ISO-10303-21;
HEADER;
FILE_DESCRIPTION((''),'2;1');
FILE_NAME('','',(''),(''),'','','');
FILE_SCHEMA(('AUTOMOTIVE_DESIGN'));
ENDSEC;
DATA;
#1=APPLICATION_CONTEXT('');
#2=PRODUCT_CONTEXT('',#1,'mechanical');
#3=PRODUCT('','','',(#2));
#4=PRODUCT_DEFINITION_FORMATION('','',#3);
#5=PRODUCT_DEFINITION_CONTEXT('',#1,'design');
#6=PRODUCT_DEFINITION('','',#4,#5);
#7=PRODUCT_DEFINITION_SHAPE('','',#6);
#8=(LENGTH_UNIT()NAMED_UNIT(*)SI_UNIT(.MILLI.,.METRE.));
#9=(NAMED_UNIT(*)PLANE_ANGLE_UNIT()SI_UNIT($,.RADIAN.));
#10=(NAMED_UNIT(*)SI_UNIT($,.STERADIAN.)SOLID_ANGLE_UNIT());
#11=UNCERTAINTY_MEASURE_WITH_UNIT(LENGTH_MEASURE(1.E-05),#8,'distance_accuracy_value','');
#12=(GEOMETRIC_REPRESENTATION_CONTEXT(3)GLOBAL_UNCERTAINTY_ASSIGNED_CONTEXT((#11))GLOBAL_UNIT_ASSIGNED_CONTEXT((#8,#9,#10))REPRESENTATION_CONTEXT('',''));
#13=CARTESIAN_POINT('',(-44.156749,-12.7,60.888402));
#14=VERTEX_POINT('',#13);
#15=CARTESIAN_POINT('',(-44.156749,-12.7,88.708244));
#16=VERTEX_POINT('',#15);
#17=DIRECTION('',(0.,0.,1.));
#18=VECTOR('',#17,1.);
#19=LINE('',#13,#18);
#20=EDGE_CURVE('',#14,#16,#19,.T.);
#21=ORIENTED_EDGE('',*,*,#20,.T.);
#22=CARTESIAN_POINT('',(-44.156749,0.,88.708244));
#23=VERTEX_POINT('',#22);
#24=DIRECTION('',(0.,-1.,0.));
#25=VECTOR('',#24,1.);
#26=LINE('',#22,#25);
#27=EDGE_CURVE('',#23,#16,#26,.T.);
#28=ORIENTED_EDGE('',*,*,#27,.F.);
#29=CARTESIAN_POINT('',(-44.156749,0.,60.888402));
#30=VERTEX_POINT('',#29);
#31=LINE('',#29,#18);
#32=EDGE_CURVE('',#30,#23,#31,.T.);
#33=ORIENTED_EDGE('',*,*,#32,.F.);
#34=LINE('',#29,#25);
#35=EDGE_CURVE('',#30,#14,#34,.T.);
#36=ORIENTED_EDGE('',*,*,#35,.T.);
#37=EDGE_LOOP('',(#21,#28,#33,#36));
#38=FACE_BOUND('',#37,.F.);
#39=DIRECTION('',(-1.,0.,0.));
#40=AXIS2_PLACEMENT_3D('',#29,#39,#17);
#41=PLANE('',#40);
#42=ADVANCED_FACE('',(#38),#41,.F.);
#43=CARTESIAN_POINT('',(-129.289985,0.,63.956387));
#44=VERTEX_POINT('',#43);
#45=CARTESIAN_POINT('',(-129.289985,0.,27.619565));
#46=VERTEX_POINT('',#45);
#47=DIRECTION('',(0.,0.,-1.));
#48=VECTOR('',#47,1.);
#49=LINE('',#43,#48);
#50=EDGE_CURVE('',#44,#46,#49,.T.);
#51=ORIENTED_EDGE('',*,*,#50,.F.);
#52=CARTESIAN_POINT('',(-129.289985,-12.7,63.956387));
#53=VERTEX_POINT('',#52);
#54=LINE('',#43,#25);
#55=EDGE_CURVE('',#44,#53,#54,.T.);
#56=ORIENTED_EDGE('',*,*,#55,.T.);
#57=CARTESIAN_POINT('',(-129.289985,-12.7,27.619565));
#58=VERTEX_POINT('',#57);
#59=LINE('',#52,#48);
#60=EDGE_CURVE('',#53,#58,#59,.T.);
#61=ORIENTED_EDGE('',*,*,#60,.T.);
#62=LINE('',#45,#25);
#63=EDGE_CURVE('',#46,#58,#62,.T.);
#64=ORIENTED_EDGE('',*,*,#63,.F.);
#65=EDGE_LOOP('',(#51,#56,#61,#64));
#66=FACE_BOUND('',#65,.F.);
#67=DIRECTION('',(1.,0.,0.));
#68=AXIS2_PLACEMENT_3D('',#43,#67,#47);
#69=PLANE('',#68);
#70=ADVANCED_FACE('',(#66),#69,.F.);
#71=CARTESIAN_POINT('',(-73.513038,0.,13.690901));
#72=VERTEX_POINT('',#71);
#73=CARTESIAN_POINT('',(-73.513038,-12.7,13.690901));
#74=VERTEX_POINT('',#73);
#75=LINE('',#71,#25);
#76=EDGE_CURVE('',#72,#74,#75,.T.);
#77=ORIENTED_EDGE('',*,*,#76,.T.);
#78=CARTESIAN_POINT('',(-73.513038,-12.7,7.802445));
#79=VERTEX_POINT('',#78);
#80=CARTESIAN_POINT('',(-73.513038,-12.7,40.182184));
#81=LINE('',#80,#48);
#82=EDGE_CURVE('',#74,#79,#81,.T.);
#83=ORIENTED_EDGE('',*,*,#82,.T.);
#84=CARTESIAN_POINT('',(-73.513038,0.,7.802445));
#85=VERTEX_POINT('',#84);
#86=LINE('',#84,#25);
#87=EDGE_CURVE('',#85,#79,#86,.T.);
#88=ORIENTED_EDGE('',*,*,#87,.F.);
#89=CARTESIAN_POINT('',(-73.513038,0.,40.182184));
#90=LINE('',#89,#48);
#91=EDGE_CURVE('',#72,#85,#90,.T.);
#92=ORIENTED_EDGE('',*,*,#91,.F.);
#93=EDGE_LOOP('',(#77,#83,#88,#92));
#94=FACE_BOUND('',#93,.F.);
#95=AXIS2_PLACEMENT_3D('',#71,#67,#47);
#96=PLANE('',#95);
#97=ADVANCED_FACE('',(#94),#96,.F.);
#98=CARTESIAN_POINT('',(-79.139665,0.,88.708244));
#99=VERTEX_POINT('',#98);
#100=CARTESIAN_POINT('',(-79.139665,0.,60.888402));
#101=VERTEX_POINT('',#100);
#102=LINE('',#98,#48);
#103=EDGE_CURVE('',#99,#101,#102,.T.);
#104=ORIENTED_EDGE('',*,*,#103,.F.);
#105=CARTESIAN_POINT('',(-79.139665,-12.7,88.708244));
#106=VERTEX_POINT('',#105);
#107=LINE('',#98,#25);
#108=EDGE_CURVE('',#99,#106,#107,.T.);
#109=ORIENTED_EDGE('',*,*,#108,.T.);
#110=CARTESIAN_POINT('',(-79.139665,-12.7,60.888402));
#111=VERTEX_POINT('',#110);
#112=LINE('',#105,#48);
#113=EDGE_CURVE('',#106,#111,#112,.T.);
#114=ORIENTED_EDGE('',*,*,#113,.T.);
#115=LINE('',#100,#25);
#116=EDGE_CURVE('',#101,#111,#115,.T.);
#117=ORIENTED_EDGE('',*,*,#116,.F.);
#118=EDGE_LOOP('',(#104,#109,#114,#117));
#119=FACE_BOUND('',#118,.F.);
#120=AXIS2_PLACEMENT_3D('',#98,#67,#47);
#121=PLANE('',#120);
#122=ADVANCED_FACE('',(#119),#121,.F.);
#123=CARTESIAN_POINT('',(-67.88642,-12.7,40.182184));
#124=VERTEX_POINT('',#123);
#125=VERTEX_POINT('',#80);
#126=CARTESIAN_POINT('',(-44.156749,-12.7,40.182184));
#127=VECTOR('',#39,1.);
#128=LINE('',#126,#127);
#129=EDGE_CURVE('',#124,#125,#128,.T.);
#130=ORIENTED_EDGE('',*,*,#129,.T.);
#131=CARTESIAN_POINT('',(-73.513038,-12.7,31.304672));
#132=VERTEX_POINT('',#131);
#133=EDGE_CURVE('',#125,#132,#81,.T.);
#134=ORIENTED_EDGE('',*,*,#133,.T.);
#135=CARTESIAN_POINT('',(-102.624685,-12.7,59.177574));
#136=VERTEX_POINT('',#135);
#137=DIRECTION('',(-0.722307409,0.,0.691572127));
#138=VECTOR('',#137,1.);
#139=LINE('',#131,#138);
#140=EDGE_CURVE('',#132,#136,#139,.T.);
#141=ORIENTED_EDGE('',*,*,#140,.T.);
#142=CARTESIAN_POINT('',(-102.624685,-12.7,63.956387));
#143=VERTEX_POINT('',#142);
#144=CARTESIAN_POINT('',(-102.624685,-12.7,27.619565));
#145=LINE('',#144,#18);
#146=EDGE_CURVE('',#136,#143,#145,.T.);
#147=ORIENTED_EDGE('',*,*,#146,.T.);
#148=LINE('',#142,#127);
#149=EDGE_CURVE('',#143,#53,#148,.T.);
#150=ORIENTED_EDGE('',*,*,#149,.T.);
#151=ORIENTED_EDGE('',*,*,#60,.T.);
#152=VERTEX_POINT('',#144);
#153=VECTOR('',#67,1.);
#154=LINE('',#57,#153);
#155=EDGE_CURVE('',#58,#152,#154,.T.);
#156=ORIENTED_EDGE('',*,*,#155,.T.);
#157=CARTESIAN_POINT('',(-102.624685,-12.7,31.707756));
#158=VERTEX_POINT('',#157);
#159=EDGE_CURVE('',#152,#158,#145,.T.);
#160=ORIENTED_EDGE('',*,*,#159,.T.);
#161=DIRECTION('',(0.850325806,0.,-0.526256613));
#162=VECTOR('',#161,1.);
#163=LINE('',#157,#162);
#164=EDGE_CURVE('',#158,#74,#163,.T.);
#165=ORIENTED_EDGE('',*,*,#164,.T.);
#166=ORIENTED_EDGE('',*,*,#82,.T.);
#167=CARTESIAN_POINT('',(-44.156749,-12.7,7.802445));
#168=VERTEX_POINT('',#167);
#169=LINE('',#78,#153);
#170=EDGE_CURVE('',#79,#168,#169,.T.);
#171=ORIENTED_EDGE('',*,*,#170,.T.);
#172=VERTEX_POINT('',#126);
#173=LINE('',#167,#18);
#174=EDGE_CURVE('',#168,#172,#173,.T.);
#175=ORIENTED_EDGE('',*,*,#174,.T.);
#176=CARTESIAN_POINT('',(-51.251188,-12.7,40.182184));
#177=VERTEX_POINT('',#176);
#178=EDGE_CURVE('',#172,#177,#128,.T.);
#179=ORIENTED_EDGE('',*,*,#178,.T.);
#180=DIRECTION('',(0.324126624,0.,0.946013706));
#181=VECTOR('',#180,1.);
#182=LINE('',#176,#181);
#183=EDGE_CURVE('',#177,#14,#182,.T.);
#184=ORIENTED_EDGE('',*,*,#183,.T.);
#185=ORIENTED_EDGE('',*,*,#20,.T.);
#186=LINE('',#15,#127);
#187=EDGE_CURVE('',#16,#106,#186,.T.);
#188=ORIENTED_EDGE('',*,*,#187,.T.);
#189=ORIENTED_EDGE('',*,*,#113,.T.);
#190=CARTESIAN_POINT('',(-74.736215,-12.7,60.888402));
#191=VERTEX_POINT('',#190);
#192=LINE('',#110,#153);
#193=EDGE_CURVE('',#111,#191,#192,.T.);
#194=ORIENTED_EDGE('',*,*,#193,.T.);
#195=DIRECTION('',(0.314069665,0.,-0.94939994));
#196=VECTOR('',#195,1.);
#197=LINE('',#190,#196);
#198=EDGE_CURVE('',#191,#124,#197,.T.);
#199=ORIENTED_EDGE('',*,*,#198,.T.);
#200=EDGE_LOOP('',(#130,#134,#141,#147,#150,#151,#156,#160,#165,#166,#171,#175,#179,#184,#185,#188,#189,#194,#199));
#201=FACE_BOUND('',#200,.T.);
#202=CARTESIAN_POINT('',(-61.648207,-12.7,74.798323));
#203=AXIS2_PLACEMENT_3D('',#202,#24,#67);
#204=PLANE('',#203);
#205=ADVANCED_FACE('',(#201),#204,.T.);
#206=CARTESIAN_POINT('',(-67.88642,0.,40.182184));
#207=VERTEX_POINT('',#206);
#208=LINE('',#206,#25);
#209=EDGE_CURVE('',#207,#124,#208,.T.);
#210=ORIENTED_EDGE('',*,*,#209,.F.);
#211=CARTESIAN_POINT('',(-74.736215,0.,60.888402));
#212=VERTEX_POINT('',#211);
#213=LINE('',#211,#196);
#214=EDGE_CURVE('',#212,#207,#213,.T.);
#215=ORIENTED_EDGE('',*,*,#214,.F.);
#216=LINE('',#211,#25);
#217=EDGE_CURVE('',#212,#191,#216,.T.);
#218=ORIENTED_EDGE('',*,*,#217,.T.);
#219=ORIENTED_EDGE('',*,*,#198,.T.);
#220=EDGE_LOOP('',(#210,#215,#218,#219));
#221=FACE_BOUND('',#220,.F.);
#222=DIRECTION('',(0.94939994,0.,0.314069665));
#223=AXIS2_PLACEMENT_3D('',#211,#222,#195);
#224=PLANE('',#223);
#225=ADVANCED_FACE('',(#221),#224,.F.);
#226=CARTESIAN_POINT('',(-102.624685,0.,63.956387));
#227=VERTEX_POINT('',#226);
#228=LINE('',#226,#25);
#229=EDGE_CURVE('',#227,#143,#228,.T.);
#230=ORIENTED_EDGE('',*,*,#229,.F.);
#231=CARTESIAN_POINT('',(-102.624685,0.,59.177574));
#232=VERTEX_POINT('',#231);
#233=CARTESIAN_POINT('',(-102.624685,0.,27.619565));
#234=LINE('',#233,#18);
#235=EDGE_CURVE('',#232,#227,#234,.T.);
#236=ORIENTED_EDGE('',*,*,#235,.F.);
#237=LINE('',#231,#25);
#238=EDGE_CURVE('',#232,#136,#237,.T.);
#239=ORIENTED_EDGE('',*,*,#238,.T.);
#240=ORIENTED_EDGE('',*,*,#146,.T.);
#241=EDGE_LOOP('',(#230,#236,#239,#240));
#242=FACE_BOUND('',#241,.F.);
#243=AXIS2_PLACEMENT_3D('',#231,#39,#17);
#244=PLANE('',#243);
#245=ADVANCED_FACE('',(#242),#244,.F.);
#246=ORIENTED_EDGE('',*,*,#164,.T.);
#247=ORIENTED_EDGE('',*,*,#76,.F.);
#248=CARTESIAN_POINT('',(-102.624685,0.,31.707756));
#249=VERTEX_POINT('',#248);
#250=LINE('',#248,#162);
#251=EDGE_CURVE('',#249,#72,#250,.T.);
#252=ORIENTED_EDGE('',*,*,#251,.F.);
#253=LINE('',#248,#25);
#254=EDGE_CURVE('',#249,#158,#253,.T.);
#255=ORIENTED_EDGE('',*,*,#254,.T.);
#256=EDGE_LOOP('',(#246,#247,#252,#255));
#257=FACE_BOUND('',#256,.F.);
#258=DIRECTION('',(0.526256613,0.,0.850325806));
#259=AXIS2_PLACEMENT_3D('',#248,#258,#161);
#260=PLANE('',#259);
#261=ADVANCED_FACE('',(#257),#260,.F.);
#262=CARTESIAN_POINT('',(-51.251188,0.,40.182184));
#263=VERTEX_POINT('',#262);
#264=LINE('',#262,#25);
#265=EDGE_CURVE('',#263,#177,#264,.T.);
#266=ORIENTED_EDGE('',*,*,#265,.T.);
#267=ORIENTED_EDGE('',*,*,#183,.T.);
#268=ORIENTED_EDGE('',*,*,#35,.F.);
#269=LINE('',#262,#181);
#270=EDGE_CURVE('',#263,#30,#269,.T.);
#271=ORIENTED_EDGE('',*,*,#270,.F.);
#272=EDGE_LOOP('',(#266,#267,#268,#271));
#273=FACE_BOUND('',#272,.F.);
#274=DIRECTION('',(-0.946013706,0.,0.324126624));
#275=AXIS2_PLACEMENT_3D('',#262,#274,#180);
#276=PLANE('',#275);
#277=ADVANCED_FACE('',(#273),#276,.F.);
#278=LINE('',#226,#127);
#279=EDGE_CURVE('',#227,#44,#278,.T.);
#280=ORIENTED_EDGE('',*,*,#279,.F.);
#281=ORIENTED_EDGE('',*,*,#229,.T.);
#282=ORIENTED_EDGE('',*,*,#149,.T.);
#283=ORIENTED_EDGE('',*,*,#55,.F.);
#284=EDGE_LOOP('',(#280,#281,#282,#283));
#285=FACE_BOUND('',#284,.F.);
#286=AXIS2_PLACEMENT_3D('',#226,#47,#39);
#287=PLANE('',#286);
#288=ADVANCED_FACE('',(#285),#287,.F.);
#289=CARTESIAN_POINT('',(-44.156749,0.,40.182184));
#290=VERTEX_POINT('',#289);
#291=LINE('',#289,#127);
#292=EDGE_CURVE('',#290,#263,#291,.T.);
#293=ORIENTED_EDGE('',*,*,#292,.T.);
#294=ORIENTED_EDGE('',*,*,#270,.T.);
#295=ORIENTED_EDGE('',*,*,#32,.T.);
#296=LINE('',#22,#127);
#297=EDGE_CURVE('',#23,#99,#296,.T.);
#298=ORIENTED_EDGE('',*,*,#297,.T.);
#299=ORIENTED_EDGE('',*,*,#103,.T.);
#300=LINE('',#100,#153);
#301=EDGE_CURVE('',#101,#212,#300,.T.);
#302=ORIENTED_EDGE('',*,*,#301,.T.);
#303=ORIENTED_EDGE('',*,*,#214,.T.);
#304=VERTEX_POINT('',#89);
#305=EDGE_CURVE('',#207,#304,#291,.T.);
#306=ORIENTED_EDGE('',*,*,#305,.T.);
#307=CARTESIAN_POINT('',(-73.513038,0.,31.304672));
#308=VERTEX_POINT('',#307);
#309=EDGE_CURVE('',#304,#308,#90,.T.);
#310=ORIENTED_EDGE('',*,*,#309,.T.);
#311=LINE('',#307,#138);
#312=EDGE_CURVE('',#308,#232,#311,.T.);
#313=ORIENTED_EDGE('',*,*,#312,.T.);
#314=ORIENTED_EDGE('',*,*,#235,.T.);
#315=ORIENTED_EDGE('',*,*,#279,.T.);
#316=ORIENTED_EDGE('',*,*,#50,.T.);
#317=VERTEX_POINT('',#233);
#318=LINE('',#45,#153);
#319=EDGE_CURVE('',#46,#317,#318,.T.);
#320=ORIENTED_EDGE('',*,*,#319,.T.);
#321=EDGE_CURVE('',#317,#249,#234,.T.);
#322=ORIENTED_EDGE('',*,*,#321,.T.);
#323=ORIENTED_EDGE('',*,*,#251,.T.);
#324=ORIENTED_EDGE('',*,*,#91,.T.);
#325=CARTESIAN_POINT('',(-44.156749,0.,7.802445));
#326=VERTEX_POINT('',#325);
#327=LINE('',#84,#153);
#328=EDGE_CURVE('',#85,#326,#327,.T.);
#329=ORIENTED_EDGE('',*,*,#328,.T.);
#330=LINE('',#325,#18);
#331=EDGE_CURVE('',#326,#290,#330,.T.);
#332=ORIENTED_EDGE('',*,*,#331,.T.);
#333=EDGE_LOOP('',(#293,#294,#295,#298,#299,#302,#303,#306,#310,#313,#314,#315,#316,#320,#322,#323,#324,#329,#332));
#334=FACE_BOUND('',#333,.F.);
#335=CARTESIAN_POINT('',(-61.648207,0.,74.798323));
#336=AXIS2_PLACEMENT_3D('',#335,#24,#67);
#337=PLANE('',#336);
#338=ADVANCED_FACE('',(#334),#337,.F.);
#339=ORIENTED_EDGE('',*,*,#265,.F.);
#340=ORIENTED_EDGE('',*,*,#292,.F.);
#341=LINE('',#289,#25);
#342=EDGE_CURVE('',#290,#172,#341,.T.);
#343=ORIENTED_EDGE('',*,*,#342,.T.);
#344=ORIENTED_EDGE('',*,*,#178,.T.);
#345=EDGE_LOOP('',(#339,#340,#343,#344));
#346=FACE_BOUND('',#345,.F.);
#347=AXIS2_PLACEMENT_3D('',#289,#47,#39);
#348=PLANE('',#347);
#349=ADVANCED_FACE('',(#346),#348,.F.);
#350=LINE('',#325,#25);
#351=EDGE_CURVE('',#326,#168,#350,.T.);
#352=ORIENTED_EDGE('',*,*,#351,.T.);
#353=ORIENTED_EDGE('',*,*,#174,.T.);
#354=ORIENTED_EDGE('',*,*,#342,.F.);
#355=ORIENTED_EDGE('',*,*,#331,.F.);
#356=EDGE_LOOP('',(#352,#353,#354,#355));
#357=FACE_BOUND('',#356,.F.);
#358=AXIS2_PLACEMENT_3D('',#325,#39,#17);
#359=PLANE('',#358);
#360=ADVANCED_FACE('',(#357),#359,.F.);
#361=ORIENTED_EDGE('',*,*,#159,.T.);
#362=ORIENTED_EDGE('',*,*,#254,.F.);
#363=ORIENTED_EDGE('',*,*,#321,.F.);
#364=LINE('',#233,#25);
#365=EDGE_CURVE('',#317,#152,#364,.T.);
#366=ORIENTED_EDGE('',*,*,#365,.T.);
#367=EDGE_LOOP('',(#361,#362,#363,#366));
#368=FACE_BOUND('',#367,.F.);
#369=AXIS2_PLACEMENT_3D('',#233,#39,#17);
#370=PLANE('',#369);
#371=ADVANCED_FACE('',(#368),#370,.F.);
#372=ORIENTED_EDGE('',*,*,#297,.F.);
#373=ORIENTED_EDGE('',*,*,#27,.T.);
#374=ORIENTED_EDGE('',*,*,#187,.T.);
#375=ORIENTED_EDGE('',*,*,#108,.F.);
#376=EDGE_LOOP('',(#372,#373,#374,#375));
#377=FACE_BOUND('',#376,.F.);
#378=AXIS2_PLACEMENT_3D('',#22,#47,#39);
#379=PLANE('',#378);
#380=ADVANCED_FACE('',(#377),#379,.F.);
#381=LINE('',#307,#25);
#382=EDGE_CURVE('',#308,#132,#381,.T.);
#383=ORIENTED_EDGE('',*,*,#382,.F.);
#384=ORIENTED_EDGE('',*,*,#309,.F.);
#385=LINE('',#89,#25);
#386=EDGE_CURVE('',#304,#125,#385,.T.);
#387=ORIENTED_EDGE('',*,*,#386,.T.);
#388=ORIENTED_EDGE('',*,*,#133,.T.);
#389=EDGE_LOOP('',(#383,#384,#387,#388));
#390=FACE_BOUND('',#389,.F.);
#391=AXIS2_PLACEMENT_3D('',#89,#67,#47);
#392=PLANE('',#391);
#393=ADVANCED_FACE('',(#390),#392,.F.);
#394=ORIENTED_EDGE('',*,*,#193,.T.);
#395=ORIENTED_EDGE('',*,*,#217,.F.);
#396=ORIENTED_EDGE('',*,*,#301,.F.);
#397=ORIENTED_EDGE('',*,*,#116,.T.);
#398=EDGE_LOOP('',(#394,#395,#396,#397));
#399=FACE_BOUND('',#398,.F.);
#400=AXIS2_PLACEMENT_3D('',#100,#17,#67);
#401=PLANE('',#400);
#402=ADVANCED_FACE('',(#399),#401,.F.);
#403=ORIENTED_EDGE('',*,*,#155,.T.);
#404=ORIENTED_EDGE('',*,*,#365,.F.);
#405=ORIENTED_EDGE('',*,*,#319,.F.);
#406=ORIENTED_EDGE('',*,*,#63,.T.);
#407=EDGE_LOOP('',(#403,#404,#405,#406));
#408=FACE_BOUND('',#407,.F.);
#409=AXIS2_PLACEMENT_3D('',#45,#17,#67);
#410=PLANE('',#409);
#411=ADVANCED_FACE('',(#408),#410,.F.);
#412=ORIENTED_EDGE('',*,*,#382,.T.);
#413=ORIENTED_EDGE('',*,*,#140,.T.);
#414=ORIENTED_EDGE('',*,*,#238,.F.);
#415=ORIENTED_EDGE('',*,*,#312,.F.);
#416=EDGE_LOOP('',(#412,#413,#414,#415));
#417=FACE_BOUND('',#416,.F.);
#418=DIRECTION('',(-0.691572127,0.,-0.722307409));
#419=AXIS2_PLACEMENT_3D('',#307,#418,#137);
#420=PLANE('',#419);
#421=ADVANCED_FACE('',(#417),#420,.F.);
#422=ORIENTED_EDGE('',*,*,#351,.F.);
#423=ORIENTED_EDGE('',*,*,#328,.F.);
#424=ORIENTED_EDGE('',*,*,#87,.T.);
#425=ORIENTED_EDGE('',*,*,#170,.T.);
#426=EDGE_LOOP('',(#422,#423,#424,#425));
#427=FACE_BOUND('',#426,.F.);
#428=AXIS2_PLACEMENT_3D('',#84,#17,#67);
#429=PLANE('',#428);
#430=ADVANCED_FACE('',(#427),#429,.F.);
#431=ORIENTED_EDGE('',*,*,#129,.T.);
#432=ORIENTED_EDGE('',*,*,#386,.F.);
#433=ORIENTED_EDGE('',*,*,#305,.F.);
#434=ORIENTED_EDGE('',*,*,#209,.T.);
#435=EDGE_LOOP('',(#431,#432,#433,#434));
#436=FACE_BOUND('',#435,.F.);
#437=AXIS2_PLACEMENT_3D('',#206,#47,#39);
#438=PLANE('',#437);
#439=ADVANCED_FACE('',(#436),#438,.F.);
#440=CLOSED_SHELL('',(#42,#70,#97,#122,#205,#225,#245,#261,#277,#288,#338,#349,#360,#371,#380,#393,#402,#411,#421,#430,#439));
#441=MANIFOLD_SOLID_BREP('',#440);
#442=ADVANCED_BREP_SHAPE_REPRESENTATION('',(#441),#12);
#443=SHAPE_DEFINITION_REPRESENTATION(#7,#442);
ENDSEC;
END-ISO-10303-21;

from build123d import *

# Parameters (mm, degrees)
F1_DEPTH = 12.7


with BuildPart() as f1:
    # F0 (on Front) → F1 (new body)
    with BuildSketch(Plane.XZ):
        Polygon((-79.139665, 60.888402), (-74.736215, 60.888402), (-44.156749, 60.888402), (-44.156749, 88.708244), (-79.139665, 88.708244), align=None)
        Polygon((-102.624685, 63.956387), (-129.289985, 63.956387), (-129.289985, 27.619565), (-102.624685, 27.619565), (-102.624685, 31.707756), (-102.624685, 59.177574), align=None)
        Polygon((-73.513038, 40.182184), (-73.513038, 31.304672), (-73.513038, 13.690901), (-73.513038, 7.802445), (-44.156749, 7.802445), (-44.156749, 40.182184), (-51.251188, 40.182184), (-67.88642, 40.182184), align=None)
        Polygon((-73.513038, 31.304672), (-102.624685, 59.177574), (-102.624685, 31.707756), (-73.513038, 13.690901), align=None)
        Polygon((-74.736215, 60.888402), (-67.88642, 40.182184), (-51.251188, 40.182184), (-44.156749, 60.888402), align=None)
    extrude(amount=F1_DEPTH)


solid = f1.part
